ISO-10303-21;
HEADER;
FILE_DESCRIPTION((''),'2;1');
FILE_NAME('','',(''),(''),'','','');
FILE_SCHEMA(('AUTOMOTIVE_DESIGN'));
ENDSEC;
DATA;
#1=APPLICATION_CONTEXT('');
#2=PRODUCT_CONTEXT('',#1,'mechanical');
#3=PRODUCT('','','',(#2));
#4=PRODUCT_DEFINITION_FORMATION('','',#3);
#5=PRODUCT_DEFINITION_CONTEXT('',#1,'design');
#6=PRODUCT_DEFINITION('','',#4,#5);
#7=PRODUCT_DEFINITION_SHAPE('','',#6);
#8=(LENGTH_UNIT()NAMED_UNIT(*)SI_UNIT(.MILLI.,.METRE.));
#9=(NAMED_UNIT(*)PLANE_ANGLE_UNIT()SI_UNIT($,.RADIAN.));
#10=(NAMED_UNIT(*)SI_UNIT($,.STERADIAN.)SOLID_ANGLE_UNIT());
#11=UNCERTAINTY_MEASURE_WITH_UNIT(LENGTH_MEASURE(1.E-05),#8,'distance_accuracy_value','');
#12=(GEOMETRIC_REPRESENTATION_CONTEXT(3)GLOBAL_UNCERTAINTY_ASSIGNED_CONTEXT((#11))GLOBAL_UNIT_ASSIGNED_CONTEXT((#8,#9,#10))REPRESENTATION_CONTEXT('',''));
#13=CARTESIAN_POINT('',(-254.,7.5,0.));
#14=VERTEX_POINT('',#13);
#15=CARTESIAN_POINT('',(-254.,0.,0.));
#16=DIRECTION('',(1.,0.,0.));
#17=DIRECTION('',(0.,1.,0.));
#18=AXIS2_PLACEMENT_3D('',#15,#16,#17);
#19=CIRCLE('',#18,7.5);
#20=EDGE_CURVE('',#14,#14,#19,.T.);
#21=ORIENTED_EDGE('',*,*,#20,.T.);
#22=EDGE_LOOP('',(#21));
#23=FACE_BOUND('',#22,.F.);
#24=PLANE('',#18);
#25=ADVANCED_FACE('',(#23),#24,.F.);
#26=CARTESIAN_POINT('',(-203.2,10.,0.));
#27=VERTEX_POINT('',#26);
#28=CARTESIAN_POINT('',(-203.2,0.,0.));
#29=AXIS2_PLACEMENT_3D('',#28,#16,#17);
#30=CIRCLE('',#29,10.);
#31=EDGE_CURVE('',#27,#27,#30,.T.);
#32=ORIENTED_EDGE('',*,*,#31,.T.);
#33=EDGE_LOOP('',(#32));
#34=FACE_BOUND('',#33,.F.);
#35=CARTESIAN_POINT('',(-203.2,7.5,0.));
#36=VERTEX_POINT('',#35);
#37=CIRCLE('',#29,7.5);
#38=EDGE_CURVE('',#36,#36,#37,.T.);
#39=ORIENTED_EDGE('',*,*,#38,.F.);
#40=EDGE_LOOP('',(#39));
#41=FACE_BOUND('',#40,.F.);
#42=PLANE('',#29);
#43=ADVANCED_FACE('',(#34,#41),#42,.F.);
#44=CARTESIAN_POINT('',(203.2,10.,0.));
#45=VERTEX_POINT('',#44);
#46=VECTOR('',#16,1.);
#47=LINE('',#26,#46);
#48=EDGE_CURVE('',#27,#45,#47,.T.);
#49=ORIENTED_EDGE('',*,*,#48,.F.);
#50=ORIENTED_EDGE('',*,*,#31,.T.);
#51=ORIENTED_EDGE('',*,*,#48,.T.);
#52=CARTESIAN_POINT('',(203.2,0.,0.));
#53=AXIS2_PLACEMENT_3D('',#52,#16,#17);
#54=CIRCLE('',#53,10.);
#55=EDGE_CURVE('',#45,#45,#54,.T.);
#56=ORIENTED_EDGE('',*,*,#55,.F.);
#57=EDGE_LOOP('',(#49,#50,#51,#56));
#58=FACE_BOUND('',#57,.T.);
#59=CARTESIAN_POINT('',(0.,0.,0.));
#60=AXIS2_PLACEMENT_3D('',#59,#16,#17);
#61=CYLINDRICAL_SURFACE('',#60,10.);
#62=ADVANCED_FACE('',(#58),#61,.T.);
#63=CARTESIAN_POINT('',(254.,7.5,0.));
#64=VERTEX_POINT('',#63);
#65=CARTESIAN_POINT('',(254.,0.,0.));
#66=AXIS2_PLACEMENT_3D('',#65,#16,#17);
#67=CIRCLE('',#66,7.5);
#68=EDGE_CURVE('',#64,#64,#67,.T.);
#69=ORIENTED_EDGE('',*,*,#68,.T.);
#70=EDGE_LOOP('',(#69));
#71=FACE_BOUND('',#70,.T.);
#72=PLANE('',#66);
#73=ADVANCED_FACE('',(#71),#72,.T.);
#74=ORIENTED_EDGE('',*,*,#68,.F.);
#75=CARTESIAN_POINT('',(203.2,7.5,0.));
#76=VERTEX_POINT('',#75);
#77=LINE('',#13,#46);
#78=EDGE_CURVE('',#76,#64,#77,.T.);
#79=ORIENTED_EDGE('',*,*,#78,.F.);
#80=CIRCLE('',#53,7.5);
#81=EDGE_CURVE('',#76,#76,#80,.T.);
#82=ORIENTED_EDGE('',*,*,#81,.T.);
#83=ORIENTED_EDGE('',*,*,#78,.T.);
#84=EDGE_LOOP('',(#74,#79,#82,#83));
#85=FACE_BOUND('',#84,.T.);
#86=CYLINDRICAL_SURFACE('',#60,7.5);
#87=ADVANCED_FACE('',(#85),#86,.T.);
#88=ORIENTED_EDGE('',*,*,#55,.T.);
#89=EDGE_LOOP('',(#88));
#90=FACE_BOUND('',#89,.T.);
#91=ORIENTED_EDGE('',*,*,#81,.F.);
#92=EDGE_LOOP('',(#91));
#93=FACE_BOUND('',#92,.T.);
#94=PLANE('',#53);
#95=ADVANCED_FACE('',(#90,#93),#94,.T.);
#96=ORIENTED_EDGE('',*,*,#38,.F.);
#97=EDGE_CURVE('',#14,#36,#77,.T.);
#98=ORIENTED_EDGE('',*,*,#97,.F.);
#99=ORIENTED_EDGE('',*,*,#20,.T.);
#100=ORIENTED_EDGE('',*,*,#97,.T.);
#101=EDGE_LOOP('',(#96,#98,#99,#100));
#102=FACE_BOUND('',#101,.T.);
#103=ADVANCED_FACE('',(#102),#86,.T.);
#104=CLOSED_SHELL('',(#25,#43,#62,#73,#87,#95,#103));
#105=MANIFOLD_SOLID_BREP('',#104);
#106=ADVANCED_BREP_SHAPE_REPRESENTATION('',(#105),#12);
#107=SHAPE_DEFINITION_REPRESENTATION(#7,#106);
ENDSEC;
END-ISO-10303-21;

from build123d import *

# Parameters (mm, degrees)
F0_R          = 7.5
F2_DEPTH      = 254
F2_DEPTH_BACK = 254
F1_R          = 10
F3_DEPTH      = 203.2
F3_DEPTH_BACK = 203.2


with BuildPart() as f2:
    # F0 (on Right) → F2 (new body, two sides)
    with BuildSketch(Plane.YZ) as f2_sk:
        Circle(F0_R)
    extrude(amount=F2_DEPTH)
    extrude(f2_sk.sketch, amount=-F2_DEPTH_BACK)

    # F1 (on Right) → F3 (join, two sides)
    with BuildSketch(Plane.YZ) as f3_sk:
        Circle(F1_R)
    extrude(amount=F3_DEPTH)
    extrude(f3_sk.sketch, amount=-F3_DEPTH_BACK)


solid = f2.part
